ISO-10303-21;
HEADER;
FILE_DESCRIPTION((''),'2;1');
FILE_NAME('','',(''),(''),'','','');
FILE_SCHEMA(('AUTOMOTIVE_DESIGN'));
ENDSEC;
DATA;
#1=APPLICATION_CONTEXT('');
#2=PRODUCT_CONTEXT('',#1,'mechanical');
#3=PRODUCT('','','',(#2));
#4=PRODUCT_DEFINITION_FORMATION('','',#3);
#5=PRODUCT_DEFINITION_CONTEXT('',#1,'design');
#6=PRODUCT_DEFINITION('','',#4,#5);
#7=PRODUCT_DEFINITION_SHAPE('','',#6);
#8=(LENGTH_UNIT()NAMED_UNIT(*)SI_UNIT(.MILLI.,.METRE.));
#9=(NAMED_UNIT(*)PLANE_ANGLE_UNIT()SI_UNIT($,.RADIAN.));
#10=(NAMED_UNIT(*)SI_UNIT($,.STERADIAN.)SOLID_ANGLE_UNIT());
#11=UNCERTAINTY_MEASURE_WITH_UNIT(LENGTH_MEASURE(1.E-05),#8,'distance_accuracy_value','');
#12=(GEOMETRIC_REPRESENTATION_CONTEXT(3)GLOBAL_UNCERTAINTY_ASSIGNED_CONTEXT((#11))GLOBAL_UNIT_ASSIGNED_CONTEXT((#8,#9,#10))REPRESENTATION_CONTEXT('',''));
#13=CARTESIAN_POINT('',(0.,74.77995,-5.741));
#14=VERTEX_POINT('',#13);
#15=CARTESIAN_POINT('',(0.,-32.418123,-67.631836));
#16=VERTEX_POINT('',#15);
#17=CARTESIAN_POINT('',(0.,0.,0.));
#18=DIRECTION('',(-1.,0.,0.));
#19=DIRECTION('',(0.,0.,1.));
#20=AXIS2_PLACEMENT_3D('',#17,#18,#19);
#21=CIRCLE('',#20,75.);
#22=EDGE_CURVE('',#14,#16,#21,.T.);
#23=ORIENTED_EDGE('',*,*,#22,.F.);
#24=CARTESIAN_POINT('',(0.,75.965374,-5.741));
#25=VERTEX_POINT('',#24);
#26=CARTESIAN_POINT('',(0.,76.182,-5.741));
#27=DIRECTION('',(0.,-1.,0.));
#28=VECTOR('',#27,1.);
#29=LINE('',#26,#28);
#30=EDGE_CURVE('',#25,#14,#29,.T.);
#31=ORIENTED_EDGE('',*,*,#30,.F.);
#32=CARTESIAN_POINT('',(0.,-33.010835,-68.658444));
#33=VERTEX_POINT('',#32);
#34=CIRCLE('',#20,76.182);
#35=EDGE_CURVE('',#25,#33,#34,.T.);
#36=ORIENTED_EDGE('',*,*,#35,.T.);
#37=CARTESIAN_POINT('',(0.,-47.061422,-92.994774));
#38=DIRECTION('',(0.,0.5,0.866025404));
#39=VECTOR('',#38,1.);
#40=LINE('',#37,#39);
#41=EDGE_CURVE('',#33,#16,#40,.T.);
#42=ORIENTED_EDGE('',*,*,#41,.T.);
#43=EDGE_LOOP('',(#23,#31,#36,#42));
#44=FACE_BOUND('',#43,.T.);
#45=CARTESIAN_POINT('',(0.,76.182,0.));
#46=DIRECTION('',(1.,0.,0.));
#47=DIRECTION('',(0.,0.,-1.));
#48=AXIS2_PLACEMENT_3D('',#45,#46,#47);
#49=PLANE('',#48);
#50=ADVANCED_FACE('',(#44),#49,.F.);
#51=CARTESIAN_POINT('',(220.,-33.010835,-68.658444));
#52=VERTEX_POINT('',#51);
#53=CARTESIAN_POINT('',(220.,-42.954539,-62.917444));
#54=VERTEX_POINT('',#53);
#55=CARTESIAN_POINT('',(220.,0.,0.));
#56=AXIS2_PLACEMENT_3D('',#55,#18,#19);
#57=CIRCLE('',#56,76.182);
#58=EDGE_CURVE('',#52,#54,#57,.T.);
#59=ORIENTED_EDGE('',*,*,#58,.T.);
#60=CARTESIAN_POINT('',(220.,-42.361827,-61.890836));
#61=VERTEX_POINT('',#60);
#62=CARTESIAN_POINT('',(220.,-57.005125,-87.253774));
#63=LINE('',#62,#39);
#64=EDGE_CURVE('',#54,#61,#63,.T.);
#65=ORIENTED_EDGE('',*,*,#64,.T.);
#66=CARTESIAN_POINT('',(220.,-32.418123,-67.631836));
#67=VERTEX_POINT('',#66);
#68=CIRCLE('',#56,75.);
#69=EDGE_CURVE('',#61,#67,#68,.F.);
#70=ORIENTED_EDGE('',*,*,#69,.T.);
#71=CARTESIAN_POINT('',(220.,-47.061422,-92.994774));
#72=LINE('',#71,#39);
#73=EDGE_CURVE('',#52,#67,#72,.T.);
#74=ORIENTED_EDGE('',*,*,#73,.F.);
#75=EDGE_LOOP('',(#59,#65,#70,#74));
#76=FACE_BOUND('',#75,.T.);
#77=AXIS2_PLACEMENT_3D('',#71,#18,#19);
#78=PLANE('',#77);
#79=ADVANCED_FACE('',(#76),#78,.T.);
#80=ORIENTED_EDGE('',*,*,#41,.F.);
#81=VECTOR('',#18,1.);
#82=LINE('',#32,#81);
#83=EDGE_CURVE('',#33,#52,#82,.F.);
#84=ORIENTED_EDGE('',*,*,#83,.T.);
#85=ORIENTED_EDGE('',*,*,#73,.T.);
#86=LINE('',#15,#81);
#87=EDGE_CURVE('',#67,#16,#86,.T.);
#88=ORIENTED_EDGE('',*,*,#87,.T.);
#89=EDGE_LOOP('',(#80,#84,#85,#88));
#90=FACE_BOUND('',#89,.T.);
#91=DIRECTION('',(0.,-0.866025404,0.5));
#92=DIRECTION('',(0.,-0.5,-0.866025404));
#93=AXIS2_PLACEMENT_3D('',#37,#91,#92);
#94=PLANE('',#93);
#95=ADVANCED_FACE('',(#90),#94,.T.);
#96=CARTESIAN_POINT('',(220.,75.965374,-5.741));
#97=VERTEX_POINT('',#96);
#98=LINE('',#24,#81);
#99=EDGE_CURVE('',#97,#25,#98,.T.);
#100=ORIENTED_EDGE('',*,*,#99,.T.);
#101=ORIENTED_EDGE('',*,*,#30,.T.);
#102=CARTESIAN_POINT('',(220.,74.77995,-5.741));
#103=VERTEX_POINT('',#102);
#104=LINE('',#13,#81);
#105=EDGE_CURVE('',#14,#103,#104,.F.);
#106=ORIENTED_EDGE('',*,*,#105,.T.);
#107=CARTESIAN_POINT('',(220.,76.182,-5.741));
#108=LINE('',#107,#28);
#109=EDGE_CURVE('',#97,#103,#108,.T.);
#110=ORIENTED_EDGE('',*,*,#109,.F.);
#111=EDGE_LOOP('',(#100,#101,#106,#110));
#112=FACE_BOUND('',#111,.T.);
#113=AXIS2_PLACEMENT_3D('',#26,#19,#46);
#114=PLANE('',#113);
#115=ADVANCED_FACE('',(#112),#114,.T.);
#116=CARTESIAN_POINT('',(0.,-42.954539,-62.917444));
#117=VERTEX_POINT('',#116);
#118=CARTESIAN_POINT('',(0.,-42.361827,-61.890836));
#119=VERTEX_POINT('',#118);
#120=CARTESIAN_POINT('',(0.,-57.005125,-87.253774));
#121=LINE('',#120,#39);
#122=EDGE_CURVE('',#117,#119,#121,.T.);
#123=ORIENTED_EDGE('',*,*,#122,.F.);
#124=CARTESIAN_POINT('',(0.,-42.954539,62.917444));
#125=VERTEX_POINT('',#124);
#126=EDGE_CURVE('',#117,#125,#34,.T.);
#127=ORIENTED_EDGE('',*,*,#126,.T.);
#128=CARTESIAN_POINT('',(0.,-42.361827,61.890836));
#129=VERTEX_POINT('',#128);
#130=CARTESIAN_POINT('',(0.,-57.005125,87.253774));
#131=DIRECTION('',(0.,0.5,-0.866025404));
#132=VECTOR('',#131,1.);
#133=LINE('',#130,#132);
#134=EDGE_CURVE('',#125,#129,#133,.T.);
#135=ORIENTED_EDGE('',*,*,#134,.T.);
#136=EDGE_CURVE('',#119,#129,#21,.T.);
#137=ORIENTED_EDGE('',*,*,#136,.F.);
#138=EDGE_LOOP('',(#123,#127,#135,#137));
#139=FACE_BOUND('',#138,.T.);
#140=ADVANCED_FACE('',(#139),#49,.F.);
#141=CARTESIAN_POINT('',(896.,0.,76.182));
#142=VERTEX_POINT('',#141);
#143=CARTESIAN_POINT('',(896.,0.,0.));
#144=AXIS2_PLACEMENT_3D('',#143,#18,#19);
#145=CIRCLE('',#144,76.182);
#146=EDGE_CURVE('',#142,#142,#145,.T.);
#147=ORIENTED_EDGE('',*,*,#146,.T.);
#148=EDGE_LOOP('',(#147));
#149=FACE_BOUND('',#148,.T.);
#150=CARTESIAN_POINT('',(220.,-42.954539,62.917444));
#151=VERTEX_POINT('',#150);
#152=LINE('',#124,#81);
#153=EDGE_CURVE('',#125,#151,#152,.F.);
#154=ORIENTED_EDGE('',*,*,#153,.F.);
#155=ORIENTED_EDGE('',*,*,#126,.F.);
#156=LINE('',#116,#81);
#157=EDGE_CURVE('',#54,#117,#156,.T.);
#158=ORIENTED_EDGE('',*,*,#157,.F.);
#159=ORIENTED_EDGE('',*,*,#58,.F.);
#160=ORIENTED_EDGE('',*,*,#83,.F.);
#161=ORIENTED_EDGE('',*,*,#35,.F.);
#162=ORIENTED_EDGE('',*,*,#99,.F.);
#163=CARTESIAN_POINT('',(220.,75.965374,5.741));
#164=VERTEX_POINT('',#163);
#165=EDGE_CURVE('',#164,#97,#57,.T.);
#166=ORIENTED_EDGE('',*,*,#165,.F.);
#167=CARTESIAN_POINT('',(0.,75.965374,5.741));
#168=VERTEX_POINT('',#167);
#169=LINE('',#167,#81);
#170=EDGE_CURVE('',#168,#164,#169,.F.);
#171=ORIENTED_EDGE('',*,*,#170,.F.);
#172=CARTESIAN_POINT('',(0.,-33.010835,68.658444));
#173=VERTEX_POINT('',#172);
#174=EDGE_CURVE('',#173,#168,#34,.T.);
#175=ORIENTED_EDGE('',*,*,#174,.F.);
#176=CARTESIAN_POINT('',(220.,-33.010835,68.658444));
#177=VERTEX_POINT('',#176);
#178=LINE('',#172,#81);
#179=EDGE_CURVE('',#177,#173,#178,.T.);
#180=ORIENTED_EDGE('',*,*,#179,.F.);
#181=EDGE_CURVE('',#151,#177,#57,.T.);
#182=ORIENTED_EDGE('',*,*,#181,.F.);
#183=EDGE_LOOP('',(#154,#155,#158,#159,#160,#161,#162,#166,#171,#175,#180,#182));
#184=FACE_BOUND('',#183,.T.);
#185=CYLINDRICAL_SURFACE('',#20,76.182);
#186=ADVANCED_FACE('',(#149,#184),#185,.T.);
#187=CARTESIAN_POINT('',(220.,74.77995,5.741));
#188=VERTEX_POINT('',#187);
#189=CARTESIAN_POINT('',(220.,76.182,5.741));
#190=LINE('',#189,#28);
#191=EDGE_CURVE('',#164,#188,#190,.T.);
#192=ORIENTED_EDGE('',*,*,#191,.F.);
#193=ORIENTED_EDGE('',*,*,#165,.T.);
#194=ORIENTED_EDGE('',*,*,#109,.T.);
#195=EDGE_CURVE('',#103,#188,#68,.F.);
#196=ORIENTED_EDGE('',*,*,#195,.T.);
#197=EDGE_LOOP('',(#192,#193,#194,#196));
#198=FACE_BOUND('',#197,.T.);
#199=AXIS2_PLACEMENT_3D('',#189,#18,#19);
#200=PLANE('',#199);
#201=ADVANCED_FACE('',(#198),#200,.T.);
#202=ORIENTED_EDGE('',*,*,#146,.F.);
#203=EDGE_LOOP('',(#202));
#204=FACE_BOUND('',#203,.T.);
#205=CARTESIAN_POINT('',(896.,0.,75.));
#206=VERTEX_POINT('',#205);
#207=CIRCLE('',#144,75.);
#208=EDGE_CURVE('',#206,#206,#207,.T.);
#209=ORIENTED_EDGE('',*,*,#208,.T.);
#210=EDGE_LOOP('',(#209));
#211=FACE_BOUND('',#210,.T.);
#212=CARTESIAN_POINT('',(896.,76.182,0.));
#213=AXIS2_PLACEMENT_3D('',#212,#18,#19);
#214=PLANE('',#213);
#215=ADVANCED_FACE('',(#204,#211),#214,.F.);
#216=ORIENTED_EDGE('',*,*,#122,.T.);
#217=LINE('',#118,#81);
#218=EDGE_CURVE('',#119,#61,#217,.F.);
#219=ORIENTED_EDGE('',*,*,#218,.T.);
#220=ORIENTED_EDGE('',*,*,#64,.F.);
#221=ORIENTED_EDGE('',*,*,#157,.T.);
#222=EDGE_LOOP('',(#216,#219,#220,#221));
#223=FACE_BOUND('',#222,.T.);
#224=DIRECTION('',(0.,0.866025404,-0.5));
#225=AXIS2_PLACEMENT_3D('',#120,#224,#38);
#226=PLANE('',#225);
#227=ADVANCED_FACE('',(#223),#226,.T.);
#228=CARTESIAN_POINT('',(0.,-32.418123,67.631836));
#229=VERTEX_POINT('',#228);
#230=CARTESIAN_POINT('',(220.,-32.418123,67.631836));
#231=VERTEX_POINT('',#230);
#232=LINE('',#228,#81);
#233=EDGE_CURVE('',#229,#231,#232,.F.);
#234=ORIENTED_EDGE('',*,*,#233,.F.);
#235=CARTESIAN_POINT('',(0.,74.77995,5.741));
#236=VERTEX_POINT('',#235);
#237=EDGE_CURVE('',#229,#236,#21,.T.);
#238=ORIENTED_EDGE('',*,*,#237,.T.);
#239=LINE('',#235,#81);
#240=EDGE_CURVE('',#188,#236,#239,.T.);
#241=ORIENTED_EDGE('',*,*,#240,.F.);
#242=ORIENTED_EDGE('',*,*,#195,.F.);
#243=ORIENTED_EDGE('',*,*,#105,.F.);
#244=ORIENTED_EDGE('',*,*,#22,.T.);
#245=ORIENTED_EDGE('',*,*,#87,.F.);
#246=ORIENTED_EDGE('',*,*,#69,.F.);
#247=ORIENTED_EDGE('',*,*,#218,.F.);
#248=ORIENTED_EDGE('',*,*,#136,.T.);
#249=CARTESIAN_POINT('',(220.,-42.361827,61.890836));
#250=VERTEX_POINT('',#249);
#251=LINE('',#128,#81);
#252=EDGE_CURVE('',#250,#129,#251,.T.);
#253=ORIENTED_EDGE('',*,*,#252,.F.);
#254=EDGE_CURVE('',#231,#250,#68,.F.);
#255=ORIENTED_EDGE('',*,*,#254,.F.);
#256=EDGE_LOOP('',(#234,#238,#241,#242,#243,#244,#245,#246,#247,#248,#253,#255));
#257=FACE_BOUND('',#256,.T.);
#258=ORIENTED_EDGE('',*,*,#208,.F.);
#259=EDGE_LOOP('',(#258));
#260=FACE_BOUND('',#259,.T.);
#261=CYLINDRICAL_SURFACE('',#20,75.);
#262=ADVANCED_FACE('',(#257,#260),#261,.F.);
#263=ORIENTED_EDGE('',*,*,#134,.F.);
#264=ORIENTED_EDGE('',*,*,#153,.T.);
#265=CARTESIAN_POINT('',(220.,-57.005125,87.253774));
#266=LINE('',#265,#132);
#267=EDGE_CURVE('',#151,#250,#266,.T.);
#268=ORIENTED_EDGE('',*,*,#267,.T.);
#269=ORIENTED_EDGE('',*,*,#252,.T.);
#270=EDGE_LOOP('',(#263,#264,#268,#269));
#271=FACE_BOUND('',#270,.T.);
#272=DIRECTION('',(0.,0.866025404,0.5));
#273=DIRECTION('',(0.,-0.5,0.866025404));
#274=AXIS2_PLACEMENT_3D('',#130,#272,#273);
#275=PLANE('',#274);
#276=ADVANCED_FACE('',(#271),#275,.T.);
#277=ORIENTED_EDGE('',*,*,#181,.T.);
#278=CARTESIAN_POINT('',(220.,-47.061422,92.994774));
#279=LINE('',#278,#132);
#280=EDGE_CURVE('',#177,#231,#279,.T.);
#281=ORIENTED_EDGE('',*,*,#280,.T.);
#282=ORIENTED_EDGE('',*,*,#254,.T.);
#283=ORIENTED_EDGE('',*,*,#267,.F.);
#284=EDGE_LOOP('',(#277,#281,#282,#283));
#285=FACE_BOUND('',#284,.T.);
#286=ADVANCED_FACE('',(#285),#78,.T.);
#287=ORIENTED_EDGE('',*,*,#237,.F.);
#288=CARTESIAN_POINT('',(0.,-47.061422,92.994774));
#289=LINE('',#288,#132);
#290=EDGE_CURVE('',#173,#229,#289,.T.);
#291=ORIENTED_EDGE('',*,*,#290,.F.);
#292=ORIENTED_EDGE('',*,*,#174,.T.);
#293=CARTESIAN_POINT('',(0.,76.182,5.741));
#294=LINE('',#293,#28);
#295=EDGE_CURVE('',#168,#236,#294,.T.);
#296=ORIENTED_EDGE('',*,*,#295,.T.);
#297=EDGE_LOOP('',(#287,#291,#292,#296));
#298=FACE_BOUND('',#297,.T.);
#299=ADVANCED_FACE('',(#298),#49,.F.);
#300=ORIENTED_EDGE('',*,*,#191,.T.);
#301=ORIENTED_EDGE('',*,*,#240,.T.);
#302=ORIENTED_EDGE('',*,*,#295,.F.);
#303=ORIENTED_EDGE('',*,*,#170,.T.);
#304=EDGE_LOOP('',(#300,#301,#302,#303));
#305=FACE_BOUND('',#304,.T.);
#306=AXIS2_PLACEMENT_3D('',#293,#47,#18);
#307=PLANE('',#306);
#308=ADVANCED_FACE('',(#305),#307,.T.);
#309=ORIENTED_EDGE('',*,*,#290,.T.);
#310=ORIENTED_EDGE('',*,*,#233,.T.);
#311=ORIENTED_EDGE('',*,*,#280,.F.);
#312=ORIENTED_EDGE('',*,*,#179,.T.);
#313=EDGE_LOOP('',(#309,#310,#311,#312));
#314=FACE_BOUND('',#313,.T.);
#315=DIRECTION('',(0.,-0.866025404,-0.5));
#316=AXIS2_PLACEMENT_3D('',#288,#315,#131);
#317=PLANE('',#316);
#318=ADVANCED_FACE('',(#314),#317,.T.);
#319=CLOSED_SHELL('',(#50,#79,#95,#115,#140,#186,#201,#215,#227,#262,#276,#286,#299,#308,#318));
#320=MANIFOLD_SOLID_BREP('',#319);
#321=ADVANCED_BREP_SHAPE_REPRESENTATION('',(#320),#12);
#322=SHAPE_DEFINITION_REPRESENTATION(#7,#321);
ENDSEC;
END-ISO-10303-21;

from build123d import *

# Parameters (mm, degrees)
ESQUISSE1_W                  = 896
ESQUISSE1_H                  = 1.182
ESQUISSE2_W                  = 220
ESQUISSE2_H                  = 11.482
ENL_V_MAT_EXTRU_1_DEPTH      = 903.454095369
R_P_TITION_CIRCULAIRE1_COUNT = 3
R_P_TITION_CIRCULAIRE1_ANGLE = 240


with BuildPart() as part:
    # Esquisse1 → Révolution1 (revolve)
    with BuildSketch(Plane.XY, mode=Mode.PRIVATE) as r_volution1_sk:
        with Locations((448, 75.591)):
            Rectangle(ESQUISSE1_W, ESQUISSE1_H)
    revolve(r_volution1_sk.sketch.rotate(Axis((0, 0, 0), (1, 0, 0)), 90), axis=Axis((0, 0, 0), (1, 0, 0)))

    # Esquisse2 → Enlèv. mat.-Extru.1 (cut, through all)
    with BuildSketch(Plane(origin=(0, 0, 0), x_dir=(1, 0, 0), z_dir=(0, 1, 0))):
        with Locations((110, 0)):
            Rectangle(ESQUISSE2_W, ESQUISSE2_H)
    enl_v_mat_extru_1 = extrude(amount=ENL_V_MAT_EXTRU_1_DEPTH, mode=Mode.SUBTRACT)

    # Répétition circulaire1: Enlèv. mat.-Extru.1 ×3 about axis
    r_p_tition_circulaire1_axis = Axis((0, 0, 0), (-1, 0, 0))
    for i in range(1, R_P_TITION_CIRCULAIRE1_COUNT):
        add(enl_v_mat_extru_1.rotate(r_p_tition_circulaire1_axis, i * R_P_TITION_CIRCULAIRE1_ANGLE / (R_P_TITION_CIRCULAIRE1_COUNT - 1)), mode=Mode.SUBTRACT)


solid = part.part
